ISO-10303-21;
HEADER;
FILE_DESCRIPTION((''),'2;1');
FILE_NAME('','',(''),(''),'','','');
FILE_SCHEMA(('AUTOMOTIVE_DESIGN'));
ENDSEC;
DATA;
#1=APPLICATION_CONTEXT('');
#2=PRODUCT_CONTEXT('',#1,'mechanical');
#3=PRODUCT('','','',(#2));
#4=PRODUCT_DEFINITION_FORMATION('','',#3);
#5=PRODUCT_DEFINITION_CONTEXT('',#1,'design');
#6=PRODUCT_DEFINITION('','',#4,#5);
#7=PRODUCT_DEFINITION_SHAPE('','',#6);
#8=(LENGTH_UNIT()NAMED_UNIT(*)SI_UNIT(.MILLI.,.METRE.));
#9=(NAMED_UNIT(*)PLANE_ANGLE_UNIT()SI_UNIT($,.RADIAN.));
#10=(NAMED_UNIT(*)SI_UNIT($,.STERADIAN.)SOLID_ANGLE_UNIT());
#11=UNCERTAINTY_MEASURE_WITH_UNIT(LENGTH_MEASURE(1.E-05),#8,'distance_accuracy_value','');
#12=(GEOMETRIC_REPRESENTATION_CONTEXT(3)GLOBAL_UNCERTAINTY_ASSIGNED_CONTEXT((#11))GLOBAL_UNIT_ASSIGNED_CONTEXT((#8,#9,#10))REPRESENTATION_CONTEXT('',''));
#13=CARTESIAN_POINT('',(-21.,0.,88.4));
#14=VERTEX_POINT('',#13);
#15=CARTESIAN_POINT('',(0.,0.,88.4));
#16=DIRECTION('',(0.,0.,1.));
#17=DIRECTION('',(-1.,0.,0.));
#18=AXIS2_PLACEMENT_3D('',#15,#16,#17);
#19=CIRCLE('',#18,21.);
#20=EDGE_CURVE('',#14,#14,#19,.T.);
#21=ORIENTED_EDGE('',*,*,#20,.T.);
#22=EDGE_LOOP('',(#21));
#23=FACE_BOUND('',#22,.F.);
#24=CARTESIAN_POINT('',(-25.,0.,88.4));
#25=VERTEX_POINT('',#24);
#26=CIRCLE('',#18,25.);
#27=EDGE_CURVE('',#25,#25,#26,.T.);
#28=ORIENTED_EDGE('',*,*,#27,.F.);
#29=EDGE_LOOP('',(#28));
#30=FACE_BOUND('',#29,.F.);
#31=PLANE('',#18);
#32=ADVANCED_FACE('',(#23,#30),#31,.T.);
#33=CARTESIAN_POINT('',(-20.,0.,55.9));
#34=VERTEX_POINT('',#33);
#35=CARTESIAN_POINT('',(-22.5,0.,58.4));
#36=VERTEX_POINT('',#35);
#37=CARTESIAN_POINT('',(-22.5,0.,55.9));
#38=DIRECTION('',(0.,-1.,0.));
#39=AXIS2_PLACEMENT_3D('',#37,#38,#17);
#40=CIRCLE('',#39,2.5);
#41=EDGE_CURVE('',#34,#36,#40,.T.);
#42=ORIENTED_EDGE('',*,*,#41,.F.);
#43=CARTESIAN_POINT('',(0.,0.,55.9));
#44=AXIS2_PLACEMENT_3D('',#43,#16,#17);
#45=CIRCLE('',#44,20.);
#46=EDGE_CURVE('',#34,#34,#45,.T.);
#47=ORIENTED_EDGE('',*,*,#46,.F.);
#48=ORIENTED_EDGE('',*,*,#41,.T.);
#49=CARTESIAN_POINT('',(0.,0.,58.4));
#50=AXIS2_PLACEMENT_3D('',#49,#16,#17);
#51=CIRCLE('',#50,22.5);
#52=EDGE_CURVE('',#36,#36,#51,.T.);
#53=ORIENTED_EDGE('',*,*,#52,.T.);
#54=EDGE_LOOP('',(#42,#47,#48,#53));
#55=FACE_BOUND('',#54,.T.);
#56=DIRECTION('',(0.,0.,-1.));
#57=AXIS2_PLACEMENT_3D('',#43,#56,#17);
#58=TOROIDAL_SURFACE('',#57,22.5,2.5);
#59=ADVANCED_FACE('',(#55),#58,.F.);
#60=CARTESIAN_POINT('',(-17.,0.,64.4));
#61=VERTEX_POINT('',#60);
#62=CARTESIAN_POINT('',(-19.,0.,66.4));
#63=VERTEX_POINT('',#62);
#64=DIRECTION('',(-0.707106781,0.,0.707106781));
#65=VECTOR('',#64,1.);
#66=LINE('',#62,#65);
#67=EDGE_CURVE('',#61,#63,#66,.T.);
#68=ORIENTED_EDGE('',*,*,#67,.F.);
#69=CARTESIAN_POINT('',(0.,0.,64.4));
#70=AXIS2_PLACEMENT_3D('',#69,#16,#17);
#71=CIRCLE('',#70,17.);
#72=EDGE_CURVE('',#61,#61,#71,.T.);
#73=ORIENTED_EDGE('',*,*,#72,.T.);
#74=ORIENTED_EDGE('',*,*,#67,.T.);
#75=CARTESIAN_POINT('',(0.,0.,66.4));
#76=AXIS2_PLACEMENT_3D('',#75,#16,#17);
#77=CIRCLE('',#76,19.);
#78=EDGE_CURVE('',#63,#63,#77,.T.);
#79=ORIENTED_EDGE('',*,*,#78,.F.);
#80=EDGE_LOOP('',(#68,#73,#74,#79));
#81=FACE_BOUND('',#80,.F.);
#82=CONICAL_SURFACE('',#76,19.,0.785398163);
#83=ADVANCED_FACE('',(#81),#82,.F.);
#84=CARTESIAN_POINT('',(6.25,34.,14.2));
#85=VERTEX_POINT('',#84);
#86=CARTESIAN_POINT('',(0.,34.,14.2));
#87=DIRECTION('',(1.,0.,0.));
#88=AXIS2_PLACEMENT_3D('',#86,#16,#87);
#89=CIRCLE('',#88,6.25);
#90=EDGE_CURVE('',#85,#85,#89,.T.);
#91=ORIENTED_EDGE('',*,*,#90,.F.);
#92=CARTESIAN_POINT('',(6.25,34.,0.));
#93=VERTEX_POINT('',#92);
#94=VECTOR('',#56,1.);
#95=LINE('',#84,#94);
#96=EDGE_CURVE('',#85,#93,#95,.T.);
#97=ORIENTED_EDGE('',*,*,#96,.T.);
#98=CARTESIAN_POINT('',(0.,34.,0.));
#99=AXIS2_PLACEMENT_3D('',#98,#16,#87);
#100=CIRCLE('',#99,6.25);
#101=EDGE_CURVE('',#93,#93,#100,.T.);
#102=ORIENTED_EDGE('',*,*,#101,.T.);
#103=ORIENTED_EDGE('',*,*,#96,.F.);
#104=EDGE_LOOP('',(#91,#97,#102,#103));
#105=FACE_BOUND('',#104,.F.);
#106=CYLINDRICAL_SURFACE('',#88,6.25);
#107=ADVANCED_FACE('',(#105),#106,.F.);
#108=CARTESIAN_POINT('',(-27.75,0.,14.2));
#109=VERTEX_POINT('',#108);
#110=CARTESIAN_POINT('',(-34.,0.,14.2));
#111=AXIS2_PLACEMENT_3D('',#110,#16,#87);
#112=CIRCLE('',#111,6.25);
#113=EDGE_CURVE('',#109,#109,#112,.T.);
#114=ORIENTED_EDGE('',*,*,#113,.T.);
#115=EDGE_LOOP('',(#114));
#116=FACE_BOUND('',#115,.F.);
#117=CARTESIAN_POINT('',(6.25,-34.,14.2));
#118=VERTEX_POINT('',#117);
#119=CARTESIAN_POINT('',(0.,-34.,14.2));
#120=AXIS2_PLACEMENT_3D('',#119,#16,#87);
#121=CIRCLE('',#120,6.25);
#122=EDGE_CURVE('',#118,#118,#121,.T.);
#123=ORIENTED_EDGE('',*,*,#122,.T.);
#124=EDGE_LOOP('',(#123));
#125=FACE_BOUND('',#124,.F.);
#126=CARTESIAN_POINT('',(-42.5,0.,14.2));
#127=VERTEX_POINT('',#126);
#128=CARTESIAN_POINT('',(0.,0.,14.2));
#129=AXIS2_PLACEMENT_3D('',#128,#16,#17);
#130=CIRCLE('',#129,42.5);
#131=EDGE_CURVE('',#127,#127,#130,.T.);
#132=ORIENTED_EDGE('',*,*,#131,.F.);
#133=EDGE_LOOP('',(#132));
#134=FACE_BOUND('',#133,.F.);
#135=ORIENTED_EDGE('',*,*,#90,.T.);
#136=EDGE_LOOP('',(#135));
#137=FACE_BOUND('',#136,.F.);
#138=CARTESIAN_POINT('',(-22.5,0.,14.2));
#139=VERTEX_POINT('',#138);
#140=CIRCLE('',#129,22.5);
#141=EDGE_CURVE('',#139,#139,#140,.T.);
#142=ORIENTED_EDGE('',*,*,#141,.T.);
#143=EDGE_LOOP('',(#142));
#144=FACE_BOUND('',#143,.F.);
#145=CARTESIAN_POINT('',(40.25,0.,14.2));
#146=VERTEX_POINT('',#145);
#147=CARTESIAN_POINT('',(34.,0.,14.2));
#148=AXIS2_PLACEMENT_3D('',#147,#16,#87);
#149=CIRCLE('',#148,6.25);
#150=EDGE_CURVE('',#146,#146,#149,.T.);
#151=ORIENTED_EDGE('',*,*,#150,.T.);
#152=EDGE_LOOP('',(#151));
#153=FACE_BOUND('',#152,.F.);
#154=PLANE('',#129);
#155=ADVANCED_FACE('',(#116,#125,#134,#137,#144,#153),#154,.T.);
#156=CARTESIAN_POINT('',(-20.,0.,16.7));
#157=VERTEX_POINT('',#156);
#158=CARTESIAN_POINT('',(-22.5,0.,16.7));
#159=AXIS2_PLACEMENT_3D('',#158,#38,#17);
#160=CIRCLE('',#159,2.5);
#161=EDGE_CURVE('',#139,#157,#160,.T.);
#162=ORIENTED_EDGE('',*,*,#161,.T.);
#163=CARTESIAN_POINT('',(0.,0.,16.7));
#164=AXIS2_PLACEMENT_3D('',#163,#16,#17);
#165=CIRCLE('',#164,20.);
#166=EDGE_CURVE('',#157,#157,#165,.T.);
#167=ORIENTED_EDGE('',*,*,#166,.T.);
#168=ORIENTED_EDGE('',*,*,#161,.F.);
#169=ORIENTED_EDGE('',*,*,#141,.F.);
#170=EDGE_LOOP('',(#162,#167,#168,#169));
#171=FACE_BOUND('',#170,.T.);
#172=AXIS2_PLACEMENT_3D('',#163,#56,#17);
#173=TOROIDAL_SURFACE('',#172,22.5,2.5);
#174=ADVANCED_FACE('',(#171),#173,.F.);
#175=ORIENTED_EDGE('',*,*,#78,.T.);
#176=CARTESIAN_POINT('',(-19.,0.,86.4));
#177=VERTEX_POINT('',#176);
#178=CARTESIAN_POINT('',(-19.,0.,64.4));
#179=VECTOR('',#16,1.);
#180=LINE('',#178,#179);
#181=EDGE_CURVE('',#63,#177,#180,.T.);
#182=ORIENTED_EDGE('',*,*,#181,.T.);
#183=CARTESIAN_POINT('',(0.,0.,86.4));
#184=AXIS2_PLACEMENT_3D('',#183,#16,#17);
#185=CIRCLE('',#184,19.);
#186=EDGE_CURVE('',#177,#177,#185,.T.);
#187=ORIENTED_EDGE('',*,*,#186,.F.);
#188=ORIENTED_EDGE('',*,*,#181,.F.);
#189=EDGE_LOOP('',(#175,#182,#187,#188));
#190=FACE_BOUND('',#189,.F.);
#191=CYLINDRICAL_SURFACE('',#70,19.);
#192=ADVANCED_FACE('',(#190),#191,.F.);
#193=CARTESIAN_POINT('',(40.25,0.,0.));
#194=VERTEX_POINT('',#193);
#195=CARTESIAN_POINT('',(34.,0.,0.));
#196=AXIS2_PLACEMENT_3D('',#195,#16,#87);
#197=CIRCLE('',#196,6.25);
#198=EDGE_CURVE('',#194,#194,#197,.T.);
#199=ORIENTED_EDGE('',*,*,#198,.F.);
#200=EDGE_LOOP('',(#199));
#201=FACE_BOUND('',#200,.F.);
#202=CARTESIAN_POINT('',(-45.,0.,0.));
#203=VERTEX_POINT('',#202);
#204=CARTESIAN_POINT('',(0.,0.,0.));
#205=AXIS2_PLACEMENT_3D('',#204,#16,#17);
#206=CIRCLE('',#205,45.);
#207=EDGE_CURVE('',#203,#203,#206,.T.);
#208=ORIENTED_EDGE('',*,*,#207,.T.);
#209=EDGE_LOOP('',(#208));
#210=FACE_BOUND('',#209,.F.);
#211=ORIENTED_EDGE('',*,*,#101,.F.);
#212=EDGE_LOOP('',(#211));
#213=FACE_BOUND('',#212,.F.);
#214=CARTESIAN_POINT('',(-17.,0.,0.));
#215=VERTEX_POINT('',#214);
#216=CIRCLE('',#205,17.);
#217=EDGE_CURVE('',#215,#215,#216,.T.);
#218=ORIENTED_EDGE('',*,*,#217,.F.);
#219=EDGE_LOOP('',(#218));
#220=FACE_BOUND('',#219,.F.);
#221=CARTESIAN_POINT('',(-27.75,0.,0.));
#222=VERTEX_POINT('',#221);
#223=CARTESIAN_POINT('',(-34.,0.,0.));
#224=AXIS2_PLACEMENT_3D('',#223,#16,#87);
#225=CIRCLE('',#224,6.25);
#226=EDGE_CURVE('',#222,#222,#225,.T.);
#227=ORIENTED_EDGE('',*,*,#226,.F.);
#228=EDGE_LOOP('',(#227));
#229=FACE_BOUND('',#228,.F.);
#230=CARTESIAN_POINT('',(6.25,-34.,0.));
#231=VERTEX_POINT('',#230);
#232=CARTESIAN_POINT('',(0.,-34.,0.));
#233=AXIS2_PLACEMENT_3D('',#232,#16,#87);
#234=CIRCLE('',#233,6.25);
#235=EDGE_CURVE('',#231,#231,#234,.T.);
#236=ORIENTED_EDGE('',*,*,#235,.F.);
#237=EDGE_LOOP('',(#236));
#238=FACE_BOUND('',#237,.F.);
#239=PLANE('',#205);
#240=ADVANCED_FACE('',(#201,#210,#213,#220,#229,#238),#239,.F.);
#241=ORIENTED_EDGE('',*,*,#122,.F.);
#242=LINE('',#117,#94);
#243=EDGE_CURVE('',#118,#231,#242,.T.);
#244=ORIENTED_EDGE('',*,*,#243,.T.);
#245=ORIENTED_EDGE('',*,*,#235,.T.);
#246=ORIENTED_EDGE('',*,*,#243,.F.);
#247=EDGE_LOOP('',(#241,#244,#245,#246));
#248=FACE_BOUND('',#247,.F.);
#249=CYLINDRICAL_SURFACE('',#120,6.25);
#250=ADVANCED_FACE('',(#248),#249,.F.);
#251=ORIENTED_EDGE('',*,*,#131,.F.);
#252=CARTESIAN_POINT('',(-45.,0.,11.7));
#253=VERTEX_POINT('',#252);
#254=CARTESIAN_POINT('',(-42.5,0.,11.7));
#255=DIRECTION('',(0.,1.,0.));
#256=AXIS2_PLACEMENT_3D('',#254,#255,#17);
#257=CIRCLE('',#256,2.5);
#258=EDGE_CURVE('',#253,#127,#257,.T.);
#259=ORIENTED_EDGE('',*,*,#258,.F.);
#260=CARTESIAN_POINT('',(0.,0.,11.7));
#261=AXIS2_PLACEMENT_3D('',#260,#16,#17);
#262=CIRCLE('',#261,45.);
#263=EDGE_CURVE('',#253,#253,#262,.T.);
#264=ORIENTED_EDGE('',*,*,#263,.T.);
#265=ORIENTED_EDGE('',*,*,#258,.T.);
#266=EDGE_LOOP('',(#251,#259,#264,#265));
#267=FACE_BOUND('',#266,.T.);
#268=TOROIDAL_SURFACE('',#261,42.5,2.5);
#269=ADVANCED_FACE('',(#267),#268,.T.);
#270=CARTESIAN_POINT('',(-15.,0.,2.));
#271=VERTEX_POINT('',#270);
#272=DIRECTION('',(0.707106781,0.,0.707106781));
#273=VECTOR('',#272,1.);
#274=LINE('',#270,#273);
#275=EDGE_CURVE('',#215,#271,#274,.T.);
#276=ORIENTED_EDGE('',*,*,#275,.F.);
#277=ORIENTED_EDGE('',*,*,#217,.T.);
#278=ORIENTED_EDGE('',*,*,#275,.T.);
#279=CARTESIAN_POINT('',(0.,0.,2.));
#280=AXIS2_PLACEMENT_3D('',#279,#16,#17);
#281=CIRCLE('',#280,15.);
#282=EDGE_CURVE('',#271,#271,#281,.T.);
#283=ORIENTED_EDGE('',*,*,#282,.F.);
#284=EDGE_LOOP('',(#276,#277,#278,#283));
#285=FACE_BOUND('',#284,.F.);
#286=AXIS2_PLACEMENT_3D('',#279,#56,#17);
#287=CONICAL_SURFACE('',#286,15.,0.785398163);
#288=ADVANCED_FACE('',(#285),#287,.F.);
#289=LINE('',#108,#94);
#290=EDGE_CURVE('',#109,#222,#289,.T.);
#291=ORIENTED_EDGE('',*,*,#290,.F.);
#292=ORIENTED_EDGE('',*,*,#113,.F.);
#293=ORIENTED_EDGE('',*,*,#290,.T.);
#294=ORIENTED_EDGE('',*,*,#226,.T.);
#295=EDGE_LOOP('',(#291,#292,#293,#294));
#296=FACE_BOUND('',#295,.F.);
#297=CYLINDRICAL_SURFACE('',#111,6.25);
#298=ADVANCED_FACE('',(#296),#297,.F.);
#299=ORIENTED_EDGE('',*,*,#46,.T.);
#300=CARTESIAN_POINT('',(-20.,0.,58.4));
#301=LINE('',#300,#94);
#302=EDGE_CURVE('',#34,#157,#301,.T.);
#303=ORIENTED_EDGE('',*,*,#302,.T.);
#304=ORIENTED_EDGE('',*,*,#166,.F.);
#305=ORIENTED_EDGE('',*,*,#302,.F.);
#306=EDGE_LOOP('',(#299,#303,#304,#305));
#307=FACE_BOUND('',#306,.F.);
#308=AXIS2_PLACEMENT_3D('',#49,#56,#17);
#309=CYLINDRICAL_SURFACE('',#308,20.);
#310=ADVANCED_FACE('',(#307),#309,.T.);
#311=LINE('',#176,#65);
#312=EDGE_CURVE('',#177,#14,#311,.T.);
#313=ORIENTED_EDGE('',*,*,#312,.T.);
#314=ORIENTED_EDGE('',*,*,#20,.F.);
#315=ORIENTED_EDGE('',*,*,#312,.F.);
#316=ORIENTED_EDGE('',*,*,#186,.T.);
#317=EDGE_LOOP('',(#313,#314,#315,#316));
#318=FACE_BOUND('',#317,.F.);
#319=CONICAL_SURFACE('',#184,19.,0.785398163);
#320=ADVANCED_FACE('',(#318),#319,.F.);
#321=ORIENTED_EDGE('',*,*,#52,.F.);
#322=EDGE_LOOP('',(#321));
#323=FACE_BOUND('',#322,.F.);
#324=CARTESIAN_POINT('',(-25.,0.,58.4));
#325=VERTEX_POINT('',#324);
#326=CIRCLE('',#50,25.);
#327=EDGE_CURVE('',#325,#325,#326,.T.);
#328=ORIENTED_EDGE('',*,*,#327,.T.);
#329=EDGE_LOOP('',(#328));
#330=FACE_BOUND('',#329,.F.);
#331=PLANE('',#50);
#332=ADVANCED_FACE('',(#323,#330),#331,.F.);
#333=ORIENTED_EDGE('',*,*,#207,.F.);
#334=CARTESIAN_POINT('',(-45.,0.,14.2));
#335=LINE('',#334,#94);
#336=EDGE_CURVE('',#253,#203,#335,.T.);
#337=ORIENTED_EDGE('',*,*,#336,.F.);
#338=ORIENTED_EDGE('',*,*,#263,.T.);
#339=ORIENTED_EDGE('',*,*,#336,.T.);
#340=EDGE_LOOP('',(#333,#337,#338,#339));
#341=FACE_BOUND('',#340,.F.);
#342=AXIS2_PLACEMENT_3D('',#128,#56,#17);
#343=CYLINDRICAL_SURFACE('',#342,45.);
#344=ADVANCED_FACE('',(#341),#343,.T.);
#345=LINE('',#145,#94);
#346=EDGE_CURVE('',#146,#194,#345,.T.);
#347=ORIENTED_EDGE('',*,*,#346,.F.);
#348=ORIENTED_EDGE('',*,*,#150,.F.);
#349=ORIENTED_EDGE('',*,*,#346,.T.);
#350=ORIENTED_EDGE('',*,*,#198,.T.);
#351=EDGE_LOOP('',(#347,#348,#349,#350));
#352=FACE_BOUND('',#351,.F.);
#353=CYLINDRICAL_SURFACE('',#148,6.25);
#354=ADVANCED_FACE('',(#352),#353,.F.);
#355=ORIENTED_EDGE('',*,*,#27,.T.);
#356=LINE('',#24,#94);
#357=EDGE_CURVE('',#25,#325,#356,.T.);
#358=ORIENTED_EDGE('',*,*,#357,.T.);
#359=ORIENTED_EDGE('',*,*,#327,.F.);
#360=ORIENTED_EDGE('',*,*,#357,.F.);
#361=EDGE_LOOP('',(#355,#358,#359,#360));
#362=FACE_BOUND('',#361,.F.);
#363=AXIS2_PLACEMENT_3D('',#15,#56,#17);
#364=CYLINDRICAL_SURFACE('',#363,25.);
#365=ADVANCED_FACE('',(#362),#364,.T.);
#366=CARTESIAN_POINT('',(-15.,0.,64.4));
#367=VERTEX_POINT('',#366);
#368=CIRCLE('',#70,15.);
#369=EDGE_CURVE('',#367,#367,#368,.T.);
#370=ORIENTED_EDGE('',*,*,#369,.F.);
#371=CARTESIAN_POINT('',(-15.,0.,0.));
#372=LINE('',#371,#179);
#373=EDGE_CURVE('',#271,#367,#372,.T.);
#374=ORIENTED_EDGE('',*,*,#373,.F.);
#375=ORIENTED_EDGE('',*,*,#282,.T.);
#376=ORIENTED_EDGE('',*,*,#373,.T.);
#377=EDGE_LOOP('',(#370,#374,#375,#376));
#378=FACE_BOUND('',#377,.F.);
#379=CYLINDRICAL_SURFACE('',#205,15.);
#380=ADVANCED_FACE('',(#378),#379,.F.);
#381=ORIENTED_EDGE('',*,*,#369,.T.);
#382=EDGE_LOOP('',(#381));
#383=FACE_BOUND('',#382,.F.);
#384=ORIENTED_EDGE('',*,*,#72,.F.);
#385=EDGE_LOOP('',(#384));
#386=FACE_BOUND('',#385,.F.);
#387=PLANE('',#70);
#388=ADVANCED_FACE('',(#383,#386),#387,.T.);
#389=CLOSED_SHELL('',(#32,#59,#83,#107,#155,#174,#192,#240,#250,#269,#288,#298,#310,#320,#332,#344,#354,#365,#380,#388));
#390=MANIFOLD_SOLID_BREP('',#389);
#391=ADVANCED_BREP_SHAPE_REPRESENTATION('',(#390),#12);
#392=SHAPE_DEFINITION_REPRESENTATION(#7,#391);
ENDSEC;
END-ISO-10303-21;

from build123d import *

# Parameters (mm, degrees)
F2_SIZE  = 2
F3_R     = 2.5
F4_R     = 6.25
F5_DEPTH = 14.2


with BuildPart() as f1:
    # F0 (on Front) → F1 (revolve)
    with BuildSketch(Plane.XZ):
        Polygon((-20, 58.4), (-20, 14.2), (-45, 14.2), (-45, 0), (-15, 0), (-15, 64.4), (-19, 64.4), (-19, 88.4), (-25, 88.4), (-25, 58.4), align=None)
    revolve(axis=Axis((0, 0, 34.592547), (0, 0, 1)))

    # F2
    f2_edges = [f1.edges().sort_by_distance(p)[0] for p in [
        (15, 0, 0),
        (19, 0, 88.4),
        (19, 0, 64.4),
    ]]
    chamfer(f2_edges, length=F2_SIZE)

    # F3
    f3_edges = [f1.edges().sort_by_distance(p)[0] for p in [
        (20, 0, 14.2),
        (20, 0, 58.4),
        (45, 0, 14.2),
    ]]
    fillet(f3_edges, radius=F3_R)

    # F4 (on face) → F5 (cut, through all)
    with BuildSketch(Plane.XY.offset(14.2)):
        with Locations((0, 34)):
            Circle(F4_R)
        with Locations((-34, 0)):
            Circle(F4_R)
        with Locations((0, -34)):
            Circle(F4_R)
        with Locations((34, 0)):
            Circle(F4_R)
    extrude(amount=-F5_DEPTH, mode=Mode.SUBTRACT)


solid = f1.part
